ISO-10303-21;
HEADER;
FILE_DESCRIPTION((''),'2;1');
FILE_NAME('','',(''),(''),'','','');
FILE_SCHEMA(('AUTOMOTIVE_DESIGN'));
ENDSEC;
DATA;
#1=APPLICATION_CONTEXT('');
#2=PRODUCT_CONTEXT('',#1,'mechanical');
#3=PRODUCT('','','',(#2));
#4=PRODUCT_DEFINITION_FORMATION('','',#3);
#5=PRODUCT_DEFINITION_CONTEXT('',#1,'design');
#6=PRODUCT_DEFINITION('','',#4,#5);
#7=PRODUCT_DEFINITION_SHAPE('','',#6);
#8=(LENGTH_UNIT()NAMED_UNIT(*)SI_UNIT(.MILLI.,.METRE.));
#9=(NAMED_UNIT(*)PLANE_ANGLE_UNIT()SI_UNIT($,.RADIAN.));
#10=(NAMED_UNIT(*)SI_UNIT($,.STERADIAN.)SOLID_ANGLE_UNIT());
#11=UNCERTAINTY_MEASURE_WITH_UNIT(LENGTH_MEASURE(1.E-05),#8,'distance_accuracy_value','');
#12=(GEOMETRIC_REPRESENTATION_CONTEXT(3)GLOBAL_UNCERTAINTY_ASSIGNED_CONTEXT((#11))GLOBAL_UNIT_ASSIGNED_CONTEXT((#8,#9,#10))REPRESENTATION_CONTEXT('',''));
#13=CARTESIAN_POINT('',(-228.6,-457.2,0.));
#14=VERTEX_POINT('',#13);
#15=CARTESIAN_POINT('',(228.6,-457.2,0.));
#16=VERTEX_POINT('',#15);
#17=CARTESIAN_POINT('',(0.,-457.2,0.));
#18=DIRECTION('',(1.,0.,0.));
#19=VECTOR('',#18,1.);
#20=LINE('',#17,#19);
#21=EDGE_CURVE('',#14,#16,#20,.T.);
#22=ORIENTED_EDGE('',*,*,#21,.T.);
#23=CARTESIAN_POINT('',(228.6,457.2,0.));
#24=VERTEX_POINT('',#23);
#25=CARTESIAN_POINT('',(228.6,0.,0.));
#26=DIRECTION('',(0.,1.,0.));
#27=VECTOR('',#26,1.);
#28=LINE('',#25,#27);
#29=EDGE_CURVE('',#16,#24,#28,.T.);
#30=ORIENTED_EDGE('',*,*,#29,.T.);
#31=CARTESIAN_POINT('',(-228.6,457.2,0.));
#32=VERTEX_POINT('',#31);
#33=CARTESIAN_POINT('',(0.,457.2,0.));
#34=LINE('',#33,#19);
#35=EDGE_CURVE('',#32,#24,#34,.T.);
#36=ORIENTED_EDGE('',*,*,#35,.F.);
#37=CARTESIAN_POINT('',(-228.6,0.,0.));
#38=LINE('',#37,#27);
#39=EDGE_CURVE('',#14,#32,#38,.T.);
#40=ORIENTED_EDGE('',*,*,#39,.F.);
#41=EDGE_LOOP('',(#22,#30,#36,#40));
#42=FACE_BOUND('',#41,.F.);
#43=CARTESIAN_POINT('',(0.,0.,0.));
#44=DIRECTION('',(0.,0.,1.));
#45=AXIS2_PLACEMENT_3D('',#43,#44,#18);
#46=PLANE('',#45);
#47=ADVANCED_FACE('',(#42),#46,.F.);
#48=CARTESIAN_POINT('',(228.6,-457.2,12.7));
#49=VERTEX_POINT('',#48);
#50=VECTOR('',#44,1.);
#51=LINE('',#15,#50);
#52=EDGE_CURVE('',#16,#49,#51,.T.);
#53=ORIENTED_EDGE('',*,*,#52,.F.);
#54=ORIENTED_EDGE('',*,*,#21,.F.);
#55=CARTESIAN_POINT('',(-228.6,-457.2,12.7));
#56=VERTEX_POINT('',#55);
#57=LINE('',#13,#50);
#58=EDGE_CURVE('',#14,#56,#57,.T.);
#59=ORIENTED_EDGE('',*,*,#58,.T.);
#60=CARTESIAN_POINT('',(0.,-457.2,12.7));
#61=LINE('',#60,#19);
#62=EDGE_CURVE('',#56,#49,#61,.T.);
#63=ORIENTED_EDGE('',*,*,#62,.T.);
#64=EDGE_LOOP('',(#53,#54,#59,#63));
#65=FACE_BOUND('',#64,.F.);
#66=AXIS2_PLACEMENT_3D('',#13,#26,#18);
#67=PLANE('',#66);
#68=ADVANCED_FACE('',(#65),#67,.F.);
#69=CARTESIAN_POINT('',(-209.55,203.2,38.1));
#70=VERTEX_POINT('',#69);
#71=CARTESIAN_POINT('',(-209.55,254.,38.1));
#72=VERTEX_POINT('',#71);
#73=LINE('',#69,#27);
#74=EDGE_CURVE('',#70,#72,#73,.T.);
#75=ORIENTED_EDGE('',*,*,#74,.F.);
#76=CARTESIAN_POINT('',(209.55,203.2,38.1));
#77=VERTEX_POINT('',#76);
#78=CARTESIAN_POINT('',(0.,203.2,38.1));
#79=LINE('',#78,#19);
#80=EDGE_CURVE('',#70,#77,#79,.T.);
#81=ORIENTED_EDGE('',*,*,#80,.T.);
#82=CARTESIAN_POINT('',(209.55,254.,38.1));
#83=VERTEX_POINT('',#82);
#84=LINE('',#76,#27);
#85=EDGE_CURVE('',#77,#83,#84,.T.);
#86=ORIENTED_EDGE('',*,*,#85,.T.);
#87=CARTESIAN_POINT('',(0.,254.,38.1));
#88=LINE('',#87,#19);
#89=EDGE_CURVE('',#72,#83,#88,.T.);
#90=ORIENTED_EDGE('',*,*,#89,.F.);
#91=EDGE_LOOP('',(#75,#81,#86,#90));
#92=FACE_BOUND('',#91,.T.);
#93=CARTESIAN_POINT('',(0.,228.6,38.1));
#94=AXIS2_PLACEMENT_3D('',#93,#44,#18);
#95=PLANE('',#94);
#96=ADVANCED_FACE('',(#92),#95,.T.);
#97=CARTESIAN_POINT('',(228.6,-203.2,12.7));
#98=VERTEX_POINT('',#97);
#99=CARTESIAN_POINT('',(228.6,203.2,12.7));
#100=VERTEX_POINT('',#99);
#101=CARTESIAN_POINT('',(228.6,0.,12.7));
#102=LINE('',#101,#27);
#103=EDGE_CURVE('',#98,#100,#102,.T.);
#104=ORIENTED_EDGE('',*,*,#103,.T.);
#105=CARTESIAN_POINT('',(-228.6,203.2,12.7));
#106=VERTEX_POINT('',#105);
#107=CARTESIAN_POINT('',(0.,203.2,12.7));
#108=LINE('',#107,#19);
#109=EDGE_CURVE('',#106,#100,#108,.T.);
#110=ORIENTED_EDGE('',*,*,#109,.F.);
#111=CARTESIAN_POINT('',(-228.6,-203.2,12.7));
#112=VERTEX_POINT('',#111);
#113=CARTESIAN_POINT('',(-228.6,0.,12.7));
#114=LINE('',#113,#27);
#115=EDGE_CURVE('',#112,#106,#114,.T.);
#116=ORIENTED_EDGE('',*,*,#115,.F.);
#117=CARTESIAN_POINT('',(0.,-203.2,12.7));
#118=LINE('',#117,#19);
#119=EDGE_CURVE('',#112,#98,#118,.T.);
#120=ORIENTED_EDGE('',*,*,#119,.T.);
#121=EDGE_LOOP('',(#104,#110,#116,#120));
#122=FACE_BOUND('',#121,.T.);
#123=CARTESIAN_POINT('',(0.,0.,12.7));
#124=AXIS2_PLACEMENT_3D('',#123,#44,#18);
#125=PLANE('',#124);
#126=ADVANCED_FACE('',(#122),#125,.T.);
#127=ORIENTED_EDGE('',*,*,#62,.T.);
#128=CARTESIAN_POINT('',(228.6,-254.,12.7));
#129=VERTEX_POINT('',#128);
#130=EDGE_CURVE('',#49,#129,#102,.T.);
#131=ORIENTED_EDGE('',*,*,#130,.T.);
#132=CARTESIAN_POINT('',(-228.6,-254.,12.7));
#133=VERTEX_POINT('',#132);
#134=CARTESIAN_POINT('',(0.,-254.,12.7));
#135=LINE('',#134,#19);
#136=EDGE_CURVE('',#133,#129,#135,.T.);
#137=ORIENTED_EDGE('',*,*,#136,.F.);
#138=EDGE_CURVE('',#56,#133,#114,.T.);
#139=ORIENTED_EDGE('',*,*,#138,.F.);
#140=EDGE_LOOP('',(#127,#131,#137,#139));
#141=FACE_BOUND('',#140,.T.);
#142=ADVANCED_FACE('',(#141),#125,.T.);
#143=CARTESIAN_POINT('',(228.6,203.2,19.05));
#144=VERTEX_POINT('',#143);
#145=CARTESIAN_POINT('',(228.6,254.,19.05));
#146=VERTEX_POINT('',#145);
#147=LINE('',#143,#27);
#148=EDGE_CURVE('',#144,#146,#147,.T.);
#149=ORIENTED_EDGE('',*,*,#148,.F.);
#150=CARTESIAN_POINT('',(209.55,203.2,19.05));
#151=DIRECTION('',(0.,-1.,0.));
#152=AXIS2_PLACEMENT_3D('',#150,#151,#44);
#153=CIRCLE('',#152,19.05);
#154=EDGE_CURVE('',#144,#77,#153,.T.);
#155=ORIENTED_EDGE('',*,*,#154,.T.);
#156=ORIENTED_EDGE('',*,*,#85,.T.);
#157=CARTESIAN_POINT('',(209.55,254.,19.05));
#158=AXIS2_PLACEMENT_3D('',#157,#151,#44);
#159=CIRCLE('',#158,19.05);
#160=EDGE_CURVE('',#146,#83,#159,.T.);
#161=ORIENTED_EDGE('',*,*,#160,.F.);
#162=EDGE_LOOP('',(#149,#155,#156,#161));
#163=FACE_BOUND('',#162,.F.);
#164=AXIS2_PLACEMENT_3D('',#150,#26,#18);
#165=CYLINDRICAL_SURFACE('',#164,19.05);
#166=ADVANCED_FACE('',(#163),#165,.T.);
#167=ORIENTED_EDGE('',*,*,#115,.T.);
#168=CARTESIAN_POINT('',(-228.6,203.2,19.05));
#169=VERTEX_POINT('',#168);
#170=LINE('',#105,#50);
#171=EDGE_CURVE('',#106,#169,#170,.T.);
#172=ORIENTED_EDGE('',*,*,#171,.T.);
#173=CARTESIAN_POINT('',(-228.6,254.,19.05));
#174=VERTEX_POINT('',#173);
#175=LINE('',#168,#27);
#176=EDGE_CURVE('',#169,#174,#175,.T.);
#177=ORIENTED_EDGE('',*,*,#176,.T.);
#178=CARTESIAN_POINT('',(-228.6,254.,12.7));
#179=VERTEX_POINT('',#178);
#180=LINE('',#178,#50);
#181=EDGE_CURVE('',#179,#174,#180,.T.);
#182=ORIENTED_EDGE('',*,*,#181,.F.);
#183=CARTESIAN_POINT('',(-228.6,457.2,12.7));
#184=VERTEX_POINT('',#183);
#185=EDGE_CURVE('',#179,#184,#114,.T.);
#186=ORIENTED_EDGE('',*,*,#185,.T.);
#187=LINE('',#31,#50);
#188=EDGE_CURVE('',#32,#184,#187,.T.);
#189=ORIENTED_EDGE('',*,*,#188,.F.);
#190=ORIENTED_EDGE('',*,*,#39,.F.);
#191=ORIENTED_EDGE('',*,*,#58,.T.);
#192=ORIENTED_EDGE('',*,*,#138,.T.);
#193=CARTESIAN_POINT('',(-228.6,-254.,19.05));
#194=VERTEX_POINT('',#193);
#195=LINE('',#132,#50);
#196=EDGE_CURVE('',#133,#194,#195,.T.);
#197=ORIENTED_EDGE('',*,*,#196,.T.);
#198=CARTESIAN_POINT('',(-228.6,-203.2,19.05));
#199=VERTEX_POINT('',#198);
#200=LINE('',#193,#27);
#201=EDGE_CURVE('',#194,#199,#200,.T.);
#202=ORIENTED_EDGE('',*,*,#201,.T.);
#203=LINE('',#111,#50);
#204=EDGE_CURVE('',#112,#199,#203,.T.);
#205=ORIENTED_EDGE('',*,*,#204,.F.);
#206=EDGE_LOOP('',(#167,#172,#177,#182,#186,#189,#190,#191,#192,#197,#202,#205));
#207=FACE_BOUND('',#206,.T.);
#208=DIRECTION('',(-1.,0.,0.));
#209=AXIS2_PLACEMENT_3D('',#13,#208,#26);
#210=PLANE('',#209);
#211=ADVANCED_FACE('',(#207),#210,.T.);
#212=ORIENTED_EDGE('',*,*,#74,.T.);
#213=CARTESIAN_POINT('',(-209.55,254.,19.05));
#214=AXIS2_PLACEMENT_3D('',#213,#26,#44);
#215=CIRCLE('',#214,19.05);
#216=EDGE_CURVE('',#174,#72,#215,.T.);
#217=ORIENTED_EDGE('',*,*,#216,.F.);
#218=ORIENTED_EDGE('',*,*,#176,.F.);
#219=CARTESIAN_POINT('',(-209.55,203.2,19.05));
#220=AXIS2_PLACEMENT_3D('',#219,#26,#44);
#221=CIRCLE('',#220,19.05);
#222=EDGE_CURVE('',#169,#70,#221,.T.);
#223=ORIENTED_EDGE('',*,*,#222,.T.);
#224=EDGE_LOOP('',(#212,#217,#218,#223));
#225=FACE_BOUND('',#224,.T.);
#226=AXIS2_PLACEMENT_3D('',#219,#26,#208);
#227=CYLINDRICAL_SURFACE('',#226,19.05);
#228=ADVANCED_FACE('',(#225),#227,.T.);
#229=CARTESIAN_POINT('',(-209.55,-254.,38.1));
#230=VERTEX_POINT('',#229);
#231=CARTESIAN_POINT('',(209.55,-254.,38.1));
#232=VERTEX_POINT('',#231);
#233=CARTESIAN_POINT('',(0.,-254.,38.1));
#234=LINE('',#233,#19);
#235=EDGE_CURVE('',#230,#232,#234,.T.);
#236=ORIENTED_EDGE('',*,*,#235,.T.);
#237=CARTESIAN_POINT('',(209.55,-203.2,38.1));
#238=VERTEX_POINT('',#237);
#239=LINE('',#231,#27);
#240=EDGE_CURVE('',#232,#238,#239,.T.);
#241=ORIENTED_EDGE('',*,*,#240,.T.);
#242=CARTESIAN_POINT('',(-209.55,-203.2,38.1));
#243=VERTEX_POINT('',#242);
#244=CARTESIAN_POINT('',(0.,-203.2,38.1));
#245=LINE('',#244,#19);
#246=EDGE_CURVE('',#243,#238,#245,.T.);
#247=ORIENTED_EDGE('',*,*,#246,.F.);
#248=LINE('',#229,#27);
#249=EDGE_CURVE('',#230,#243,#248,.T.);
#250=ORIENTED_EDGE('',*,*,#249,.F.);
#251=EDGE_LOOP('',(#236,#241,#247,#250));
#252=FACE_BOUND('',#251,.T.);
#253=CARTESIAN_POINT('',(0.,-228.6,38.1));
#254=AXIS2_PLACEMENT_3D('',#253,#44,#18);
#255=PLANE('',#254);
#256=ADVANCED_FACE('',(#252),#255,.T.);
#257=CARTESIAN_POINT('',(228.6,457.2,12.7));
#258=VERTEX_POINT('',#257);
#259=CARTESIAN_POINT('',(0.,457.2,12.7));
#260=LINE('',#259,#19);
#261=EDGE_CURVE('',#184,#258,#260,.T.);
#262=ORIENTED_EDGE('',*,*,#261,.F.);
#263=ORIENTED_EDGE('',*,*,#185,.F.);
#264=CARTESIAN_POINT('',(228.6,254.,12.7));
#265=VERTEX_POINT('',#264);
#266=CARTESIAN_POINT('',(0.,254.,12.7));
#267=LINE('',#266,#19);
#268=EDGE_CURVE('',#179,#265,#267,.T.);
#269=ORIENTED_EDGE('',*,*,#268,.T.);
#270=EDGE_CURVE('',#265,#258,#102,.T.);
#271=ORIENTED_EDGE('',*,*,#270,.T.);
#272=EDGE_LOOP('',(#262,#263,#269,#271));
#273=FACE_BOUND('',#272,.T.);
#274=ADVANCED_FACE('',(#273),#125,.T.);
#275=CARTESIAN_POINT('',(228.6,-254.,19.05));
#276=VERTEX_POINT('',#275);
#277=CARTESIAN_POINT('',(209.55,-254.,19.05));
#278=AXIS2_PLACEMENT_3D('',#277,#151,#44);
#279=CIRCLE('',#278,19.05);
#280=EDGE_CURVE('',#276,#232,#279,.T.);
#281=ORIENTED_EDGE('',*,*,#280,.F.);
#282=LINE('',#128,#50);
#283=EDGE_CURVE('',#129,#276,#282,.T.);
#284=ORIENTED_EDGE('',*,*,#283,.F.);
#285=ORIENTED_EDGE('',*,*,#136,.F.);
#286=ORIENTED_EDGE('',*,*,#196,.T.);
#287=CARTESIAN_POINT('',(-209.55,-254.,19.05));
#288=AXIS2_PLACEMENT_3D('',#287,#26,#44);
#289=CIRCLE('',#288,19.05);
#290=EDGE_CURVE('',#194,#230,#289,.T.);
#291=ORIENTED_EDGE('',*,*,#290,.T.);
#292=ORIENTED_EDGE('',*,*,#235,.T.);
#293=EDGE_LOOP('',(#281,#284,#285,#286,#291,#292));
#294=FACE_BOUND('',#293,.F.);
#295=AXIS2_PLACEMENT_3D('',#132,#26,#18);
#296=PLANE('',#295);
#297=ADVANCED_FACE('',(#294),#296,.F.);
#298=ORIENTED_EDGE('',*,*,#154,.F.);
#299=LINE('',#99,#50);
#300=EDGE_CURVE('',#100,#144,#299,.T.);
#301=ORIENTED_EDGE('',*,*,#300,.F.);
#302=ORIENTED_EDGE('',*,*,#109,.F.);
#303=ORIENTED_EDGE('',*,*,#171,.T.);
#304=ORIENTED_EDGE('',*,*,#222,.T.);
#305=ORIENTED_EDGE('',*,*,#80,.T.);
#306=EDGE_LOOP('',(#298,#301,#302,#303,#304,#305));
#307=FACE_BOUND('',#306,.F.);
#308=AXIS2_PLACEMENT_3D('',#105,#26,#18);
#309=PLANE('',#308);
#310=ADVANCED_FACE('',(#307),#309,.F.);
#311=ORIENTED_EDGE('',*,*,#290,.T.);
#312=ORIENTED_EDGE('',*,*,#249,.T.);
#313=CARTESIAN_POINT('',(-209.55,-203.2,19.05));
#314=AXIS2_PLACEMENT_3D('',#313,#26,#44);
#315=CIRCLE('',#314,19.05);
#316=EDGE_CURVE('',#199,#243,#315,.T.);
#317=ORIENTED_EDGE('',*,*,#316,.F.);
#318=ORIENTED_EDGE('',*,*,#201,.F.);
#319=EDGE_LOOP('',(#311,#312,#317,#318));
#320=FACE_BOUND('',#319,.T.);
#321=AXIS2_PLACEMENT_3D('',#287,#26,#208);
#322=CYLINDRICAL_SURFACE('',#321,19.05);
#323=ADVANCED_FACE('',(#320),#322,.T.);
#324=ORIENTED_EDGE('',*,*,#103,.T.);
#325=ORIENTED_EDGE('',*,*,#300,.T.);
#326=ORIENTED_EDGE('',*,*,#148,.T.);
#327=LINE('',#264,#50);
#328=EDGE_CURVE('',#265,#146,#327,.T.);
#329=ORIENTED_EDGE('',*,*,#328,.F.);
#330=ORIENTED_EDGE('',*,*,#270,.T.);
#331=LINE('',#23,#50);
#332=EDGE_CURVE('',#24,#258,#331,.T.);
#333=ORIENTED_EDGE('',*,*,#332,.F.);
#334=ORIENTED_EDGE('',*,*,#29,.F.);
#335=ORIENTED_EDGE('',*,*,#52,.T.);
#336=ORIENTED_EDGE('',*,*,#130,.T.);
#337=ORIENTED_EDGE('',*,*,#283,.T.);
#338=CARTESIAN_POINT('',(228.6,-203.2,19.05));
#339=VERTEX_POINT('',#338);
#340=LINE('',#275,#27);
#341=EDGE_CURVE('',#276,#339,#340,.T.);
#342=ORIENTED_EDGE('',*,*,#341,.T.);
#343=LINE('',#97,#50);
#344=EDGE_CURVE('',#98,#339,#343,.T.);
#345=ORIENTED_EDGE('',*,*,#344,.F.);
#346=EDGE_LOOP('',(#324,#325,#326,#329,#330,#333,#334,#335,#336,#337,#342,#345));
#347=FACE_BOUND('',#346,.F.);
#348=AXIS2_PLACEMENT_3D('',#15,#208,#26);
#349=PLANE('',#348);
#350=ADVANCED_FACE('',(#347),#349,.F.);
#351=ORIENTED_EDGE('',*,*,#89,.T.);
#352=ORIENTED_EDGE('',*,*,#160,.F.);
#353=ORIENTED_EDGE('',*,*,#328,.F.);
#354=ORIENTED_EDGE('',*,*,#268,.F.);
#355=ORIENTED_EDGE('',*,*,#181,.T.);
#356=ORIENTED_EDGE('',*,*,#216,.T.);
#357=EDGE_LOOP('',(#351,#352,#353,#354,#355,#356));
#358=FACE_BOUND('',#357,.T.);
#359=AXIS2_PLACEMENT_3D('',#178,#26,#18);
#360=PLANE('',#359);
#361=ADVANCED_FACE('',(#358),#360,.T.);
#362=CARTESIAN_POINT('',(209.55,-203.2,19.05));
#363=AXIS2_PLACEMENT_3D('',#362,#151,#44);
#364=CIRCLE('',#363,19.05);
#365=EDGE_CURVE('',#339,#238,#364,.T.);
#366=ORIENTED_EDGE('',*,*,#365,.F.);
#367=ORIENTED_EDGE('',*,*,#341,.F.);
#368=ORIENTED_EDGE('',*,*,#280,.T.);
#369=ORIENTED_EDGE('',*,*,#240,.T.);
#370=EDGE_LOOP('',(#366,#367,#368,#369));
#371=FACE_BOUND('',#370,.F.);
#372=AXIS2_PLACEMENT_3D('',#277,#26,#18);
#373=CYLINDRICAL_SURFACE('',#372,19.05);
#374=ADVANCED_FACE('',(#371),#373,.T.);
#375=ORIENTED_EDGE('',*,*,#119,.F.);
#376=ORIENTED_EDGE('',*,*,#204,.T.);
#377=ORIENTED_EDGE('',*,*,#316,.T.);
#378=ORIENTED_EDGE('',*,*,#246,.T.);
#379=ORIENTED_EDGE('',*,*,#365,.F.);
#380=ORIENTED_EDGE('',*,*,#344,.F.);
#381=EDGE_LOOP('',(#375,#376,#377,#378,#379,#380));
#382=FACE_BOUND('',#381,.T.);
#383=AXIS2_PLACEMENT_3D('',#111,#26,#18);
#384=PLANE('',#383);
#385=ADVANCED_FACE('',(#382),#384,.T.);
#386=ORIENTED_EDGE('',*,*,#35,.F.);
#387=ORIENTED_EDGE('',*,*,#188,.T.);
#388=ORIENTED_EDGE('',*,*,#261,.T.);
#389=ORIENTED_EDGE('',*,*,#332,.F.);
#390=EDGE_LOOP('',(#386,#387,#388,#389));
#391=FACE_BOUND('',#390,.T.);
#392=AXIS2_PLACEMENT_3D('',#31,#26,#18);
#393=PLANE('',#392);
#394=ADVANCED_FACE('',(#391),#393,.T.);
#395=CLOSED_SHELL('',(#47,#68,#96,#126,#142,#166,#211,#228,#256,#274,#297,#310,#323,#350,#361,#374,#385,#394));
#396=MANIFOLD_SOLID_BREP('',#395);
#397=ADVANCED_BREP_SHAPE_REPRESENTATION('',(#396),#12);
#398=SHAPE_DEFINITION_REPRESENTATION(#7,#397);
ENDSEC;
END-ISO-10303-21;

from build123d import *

# Parameters (mm, degrees)
F0_W     = 457.2
F0_H     = 914.4
F1_DEPTH = 12.7
F2_W     = 457.2
F2_H     = 50.8
F3_DEPTH = 25.4
F4_R     = 19.05


with BuildPart() as f1:
    # F0 (on Top) → F1 (new body)
    with BuildSketch(Plane.XY):
        Rectangle(F0_W, F0_H)
    extrude(amount=F1_DEPTH)

    # F2 (on face) → F3 (join)
    with BuildSketch(Plane.XY.offset(12.7)):
        with Locations((0, -228.6)):
            Rectangle(F2_W, F2_H)
        with Locations((0, 228.6)):
            Rectangle(F2_W, F2_H)
    extrude(amount=F3_DEPTH)

    # F4
    f4_edges = [f1.edges().sort_by_distance(p)[0] for p in [
        (-228.6, -228.6, 38.1),
        (228.6, -228.6, 38.1),
        (228.6, 228.6, 38.1),
        (-228.6, 228.6, 38.1),
    ]]
    fillet(f4_edges, radius=F4_R)


solid = f1.part
